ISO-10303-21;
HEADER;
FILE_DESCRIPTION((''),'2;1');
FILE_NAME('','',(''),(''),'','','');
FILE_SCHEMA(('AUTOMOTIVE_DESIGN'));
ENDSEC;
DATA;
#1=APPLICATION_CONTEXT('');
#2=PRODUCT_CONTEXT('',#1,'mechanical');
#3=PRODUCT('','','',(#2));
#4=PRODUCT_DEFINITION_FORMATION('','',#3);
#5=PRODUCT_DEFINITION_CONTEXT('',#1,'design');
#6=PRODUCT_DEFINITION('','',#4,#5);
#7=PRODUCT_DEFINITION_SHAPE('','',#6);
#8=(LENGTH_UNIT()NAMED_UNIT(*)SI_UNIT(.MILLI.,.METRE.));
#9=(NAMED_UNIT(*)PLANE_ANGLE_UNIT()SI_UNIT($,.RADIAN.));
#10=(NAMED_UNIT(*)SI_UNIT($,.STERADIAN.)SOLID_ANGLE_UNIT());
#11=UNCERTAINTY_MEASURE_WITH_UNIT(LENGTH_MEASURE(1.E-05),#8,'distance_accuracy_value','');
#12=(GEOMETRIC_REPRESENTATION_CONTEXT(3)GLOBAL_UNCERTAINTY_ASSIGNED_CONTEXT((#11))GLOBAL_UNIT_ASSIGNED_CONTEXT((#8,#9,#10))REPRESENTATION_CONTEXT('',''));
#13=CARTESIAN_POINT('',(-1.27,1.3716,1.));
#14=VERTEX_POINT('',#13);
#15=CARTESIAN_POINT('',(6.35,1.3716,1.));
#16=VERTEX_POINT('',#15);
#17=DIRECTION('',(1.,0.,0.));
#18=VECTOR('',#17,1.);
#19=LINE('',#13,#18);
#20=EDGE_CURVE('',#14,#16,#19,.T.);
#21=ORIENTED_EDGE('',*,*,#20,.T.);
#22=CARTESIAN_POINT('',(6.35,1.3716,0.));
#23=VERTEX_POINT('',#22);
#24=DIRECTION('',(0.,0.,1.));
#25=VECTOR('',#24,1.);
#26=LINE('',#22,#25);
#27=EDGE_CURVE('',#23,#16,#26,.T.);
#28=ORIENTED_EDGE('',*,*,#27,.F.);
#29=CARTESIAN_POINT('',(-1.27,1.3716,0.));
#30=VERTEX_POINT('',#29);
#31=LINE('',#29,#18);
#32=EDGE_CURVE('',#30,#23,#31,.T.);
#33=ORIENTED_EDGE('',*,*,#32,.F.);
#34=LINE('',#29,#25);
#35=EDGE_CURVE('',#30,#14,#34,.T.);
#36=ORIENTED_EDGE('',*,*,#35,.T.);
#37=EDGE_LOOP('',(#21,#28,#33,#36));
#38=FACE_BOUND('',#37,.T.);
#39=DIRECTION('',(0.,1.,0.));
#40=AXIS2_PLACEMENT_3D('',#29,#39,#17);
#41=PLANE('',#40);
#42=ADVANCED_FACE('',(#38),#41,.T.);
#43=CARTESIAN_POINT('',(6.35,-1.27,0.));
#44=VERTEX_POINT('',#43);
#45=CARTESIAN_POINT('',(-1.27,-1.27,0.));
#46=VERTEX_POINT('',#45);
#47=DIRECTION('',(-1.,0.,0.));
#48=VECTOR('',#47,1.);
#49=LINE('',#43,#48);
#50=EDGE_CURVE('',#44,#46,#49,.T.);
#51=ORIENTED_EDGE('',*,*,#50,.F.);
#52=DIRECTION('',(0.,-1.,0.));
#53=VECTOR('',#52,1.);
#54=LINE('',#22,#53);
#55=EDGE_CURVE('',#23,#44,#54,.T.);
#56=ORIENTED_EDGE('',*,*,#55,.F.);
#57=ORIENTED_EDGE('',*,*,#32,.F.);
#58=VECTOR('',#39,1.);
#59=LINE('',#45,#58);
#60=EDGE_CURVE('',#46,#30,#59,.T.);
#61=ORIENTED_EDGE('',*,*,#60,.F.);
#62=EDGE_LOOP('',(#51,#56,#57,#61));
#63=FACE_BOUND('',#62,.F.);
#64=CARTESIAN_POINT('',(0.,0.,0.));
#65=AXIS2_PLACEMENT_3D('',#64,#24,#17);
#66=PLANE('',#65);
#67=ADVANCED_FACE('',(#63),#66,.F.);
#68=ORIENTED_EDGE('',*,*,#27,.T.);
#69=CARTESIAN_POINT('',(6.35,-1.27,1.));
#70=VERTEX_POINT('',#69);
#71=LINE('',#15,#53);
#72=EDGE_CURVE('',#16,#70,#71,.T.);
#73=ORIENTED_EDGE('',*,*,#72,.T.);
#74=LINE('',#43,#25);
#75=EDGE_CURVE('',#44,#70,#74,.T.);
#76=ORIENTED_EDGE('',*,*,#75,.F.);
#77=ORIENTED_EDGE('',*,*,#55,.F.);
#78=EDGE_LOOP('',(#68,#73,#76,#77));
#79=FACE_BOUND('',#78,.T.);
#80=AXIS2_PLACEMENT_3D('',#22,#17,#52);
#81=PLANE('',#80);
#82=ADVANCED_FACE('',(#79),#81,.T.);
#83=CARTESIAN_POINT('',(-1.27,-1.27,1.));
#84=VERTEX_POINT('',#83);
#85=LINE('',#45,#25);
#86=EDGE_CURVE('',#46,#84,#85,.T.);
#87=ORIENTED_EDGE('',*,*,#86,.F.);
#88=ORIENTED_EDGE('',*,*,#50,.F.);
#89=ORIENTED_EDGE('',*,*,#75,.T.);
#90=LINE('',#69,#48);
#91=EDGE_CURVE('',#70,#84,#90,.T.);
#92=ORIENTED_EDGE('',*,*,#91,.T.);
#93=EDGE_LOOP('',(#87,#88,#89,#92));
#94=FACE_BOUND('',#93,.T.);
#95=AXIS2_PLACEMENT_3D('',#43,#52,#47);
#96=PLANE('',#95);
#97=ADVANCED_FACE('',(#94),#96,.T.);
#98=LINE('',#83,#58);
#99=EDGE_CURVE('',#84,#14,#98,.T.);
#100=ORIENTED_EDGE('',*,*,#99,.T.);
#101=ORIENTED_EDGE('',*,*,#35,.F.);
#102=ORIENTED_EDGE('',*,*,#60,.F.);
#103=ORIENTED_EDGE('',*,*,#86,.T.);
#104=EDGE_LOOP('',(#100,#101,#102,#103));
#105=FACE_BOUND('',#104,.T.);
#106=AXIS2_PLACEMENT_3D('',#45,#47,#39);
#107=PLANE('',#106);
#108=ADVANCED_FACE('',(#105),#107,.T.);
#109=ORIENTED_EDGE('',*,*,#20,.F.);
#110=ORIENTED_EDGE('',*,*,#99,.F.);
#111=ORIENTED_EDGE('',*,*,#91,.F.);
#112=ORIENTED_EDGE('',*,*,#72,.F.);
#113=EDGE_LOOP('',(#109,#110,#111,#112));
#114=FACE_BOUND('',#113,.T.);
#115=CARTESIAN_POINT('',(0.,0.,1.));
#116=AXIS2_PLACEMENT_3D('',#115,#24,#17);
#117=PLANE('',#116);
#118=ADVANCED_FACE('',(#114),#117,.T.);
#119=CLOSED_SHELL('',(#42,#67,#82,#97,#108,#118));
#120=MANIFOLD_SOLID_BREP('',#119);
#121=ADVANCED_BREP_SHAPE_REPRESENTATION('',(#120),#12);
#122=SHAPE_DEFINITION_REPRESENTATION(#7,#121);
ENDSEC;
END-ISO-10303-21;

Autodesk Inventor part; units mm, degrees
ref_plane "YZ Plane" through (0, 0, 0) normal (1, 0, 0) x (0, 1, 0)
ref_plane "XZ Plane" through (0, 0, 0) normal (0, 1, 0) x (-1, 0, 0)
ref_plane "XY Plane" through (0, 0, 0) normal (0, 0, 1) x (1, 0, 0)
sketch "1X03, JP1A_1X03_69" plane through (0, 0, 0) normal (0, 0, 1) x (1, 0, 0)
  line L0 (-1.27, 1.3716) -> (6.35, 1.3716)
  line L1 (6.35, 1.3716) -> (6.35, -1.27)
  line L2 (6.35, -1.27) -> (-1.27, -1.27)
  line L3 (-1.27, -1.27) -> (-1.27, 1.3716)
extrude "Extrusion1" add sketch "1X03, JP1A_1X03_69" along normal blind 1
properties part number "JP1A_1X03"
